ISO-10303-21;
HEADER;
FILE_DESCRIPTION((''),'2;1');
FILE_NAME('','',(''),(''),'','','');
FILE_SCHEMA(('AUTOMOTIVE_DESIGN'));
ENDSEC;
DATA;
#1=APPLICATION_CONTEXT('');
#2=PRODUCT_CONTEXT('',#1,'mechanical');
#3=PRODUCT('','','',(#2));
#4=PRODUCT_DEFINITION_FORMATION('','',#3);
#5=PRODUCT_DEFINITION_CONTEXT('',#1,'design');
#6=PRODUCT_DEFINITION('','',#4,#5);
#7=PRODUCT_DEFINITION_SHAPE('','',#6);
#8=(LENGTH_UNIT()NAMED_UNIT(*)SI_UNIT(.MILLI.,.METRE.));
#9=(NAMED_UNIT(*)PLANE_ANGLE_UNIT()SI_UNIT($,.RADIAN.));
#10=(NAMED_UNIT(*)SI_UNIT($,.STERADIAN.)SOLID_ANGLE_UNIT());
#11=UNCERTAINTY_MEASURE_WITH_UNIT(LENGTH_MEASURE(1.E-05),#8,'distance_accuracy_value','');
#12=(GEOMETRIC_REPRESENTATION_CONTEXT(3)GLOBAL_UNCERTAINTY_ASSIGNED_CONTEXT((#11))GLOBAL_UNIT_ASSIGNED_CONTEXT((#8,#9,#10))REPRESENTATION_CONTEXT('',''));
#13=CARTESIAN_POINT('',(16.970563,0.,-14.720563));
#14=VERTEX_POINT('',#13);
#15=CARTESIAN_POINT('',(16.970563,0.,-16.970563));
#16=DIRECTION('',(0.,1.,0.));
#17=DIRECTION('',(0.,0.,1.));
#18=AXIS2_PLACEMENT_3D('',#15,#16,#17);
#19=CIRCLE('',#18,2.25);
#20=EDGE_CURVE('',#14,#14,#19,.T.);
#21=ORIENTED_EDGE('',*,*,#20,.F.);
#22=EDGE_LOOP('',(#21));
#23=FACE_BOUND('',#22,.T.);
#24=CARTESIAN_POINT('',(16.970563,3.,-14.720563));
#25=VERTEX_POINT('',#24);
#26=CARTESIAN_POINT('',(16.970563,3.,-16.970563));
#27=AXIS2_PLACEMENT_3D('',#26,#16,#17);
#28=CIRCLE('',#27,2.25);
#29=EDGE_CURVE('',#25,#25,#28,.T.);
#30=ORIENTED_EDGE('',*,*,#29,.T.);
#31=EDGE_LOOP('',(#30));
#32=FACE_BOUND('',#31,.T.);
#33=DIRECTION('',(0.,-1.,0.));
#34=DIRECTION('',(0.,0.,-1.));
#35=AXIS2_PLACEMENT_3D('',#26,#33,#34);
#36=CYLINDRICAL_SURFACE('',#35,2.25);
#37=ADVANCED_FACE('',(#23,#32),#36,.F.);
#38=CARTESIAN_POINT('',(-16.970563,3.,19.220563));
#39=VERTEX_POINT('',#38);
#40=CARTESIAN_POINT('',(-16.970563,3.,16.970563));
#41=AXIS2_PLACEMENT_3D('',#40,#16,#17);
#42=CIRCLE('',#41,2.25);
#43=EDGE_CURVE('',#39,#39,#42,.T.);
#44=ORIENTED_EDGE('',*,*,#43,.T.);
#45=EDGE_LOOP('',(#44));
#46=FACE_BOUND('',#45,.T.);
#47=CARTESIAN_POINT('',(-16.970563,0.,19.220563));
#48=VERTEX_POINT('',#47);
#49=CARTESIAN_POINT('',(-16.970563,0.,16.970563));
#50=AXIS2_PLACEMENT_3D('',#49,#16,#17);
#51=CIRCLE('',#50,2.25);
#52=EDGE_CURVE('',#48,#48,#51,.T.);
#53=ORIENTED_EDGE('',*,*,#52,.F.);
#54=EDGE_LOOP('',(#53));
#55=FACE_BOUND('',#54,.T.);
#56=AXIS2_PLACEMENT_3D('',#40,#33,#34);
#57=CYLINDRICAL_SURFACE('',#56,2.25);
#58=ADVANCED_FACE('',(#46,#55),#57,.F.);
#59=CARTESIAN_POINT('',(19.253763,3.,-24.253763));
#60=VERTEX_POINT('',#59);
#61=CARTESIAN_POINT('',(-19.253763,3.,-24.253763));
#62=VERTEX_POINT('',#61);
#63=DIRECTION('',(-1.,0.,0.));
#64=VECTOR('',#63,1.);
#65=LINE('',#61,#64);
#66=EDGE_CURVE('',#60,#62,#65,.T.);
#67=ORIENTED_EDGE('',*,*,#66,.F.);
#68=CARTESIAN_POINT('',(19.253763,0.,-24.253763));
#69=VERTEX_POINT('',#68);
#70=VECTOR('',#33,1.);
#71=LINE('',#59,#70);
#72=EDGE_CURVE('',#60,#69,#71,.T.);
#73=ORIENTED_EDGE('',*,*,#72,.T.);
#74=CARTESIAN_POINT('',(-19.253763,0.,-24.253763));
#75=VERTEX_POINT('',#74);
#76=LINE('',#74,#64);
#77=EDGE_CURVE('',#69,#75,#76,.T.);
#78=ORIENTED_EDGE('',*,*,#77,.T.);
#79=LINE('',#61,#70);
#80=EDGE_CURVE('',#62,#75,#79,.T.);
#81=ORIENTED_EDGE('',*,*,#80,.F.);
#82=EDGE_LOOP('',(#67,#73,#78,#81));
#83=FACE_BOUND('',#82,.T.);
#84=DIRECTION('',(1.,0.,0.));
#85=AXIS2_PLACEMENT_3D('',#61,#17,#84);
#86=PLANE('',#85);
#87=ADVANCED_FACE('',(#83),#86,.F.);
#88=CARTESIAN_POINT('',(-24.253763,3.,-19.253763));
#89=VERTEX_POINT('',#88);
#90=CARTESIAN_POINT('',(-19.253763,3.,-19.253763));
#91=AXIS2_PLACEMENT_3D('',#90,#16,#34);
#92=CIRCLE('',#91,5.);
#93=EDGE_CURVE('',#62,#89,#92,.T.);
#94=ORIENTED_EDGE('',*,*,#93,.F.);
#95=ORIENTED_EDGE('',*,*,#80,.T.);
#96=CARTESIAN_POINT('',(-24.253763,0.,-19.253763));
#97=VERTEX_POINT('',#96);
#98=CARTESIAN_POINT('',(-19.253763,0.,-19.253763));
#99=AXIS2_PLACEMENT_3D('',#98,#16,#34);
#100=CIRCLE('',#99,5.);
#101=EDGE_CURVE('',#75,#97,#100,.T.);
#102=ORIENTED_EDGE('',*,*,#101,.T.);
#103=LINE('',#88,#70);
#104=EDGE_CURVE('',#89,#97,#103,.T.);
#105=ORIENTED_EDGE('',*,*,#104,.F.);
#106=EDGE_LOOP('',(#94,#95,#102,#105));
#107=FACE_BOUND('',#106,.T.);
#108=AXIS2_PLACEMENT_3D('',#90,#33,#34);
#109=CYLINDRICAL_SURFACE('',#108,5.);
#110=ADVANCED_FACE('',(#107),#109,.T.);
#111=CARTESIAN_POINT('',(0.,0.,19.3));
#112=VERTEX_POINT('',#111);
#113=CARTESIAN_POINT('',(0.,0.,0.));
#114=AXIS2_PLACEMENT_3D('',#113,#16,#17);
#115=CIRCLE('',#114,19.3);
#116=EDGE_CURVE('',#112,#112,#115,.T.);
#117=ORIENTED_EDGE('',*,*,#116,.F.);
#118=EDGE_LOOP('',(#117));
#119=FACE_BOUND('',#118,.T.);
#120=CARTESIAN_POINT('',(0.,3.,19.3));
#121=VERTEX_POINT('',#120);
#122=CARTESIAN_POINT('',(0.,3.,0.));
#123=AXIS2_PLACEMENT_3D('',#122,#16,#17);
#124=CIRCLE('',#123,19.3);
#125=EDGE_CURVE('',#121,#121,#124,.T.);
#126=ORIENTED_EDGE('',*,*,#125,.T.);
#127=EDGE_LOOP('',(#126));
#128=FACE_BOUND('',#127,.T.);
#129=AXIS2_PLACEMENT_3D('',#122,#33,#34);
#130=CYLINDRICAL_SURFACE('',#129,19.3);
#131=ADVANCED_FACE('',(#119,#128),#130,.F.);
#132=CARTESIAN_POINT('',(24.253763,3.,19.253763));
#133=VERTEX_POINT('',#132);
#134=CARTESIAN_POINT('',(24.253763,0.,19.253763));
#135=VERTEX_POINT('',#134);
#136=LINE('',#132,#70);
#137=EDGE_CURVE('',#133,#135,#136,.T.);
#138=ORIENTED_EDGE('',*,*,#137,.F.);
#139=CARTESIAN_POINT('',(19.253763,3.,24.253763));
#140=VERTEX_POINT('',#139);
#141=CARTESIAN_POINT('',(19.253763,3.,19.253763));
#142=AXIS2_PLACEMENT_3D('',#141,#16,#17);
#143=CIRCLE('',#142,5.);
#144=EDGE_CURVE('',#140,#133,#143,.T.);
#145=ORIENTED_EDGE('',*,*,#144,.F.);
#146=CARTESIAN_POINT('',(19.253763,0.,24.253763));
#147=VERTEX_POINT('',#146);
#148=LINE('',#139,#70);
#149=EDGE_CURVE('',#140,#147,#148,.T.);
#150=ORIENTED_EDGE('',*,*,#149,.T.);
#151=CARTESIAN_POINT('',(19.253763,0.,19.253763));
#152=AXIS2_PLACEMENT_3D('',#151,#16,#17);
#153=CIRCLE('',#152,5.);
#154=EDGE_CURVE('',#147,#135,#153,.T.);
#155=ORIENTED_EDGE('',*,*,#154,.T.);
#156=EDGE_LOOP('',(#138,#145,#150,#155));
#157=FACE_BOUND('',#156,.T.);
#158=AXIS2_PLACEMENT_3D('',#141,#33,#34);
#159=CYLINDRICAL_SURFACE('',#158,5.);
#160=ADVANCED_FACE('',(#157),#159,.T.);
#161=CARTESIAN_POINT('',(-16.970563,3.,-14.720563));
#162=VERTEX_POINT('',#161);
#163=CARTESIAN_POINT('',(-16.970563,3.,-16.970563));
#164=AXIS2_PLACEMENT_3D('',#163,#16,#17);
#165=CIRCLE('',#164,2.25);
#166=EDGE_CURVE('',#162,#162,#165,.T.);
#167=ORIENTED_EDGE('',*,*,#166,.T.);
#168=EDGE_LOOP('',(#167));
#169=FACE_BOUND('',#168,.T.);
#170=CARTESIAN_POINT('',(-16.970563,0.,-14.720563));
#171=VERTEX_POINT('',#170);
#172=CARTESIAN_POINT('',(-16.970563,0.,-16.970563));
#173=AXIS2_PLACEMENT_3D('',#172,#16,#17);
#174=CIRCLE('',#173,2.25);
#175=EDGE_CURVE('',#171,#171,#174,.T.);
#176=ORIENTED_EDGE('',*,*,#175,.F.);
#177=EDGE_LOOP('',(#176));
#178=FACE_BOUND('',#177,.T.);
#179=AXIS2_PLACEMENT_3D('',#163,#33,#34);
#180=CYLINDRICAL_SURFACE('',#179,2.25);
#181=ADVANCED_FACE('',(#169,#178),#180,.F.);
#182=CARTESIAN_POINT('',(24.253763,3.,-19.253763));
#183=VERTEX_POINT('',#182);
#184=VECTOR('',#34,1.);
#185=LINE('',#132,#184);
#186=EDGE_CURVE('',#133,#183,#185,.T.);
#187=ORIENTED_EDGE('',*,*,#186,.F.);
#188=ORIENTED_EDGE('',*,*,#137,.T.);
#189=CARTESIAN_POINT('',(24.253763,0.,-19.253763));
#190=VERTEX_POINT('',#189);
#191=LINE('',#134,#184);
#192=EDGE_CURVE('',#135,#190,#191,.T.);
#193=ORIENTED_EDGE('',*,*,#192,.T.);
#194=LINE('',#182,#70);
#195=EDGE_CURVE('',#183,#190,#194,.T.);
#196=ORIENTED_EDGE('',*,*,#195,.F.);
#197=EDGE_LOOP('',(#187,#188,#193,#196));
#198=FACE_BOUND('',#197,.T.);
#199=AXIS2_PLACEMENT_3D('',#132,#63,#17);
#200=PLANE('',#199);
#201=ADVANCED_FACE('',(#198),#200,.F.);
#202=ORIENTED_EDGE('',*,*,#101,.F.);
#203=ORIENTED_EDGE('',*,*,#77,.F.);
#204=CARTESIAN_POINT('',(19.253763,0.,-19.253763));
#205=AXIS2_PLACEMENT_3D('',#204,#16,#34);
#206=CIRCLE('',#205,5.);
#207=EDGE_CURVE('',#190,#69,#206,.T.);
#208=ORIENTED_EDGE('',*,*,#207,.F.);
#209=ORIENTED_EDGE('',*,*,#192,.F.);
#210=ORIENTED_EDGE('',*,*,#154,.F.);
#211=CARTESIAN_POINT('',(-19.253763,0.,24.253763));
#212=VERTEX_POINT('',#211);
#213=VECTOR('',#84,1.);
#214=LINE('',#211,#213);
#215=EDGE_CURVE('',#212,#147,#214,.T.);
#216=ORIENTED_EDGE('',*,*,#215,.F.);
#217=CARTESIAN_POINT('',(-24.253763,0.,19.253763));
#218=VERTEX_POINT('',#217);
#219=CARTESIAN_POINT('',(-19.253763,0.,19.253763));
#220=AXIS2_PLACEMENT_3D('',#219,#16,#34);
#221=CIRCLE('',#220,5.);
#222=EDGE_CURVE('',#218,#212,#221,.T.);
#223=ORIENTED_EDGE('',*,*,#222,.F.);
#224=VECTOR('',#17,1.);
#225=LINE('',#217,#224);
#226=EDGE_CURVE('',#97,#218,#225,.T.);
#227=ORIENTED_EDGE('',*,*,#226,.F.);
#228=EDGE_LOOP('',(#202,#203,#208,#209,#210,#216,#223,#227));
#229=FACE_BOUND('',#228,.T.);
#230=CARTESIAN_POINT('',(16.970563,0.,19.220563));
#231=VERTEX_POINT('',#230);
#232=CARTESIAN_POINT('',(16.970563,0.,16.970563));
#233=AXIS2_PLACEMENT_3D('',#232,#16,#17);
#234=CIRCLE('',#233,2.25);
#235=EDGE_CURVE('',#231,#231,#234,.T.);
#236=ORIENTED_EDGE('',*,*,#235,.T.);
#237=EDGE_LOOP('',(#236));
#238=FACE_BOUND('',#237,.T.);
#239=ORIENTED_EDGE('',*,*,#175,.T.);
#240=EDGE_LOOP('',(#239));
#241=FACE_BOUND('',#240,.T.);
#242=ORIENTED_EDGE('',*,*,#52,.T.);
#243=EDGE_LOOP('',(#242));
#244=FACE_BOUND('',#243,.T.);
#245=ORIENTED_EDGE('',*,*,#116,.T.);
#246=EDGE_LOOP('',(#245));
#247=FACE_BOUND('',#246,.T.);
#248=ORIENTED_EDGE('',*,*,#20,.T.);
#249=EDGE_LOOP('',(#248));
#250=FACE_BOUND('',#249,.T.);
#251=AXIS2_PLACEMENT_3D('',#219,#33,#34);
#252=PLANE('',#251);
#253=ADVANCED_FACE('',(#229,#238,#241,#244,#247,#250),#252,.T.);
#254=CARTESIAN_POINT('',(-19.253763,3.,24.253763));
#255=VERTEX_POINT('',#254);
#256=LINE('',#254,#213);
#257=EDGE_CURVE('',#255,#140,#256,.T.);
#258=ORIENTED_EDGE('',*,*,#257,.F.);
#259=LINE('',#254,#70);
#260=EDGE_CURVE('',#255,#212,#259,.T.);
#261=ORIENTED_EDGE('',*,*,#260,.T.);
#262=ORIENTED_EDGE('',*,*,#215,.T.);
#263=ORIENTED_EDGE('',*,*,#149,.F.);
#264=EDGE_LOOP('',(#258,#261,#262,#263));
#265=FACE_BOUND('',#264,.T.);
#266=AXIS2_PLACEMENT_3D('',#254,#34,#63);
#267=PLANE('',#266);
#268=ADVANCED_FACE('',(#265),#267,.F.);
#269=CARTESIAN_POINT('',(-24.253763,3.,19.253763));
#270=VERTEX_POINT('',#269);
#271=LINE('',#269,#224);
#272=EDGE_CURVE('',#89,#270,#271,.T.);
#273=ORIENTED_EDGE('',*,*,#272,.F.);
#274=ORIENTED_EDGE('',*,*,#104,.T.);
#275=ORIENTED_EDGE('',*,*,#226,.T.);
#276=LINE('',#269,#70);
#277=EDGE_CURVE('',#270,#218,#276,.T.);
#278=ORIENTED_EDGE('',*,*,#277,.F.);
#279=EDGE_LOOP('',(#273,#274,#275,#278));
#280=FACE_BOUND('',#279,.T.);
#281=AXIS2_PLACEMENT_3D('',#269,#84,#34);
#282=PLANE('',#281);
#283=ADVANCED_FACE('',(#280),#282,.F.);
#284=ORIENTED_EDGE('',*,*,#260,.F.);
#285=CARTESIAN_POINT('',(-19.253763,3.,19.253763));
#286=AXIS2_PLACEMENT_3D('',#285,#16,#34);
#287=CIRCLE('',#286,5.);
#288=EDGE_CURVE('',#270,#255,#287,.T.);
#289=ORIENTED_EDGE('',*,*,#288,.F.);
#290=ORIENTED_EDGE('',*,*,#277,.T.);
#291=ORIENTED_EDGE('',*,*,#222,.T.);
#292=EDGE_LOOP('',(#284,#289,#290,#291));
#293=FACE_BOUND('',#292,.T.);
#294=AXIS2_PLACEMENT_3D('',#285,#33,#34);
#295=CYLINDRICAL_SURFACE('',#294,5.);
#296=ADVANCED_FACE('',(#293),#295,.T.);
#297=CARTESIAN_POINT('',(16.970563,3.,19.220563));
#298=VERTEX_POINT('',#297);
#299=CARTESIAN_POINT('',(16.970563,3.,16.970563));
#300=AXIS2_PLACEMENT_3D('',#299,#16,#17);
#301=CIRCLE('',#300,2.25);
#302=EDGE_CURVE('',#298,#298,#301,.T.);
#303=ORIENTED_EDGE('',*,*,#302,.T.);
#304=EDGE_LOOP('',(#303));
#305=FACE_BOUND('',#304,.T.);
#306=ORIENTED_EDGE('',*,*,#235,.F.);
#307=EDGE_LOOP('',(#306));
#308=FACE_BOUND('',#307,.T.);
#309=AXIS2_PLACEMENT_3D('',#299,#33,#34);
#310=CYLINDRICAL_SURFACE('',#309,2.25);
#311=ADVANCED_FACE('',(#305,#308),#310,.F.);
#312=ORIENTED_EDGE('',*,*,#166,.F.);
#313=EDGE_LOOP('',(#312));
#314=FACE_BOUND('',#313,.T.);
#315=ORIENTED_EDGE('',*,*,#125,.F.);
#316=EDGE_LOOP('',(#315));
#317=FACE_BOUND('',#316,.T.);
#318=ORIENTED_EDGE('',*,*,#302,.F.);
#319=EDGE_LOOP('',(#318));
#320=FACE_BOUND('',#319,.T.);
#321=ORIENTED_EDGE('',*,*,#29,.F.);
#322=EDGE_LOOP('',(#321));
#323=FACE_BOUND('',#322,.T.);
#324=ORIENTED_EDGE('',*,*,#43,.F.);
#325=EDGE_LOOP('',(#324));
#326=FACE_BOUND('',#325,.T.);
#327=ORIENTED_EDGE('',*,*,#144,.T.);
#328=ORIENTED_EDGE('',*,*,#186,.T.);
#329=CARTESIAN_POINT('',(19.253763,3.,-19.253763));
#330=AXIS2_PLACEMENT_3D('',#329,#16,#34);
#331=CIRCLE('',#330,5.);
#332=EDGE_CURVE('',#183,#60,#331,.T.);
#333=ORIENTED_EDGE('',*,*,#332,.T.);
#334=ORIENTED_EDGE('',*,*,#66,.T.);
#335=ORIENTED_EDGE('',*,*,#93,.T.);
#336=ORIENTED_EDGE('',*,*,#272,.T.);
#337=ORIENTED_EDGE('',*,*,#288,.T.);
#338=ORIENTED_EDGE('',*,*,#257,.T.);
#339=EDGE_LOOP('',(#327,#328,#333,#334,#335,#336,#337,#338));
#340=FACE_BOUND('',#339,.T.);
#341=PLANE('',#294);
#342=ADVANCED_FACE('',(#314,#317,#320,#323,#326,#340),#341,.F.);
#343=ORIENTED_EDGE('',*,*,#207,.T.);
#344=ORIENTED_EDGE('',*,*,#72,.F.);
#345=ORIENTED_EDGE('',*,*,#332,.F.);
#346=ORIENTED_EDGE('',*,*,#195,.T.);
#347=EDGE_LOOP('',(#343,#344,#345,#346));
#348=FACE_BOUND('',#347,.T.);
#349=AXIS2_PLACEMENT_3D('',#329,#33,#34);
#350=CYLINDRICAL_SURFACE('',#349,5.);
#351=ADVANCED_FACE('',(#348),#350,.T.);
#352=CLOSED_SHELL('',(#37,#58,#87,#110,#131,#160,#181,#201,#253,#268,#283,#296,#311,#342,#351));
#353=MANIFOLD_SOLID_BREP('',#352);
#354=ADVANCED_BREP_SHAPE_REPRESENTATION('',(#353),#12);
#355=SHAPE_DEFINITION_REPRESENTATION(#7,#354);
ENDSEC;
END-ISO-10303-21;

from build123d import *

# Parameters (mm, degrees)
SKETCH_1_R      = 19.3
SKETCH_1_R_2    = 2.25
EXTRUDE_1_DEPTH = 3


with BuildPart() as part:
    # 草图1 → 凸台-拉伸1 (new body)
    with BuildSketch(Plane(origin=(0, 0, 0), x_dir=(1, 0, 0), z_dir=(0, 1, 0))):
        with BuildLine():
            Line((-19.253762595, -24.253762595), (19.253762595, -24.253762595))
            ThreePointArc((19.253762595, -24.253762595), (22.789296501, -22.789296501), (24.253762595, -19.253762595))
            Line((24.253762595, -19.253762595), (24.253762595, 19.253762595))
            ThreePointArc((24.253762595, 19.253762595), (22.789296501, 22.789296501), (19.253762595, 24.253762595))
            Line((19.253762595, 24.253762595), (-19.253762595, 24.253762595))
            ThreePointArc((-19.253762595, 24.253762595), (-22.789296501, 22.789296501), (-24.253762595, 19.253762595))
            Line((-24.253762595, 19.253762595), (-24.253762595, -19.253762595))
            ThreePointArc((-24.253762595, -19.253762595), (-22.789296501, -22.789296501), (-19.253762595, -24.253762595))
        make_face()
        with Locations(Location((0, 0, 0), (0, 0, 270))):
            Circle(SKETCH_1_R, mode=Mode.SUBTRACT)
        with Locations(Location((-16.970562748, 16.970562748, 0), (0, 0, 270))):
            Circle(SKETCH_1_R_2, mode=Mode.SUBTRACT)
        with Locations(Location((16.970562748, 16.970562748, 0), (0, 0, 270))):
            Circle(SKETCH_1_R_2, mode=Mode.SUBTRACT)
        with Locations(Location((16.970562748, -16.970562748, 0), (0, 0, 270))):
            Circle(SKETCH_1_R_2, mode=Mode.SUBTRACT)
        with Locations(Location((-16.970562748, -16.970562748, 0), (0, 0, 270))):
            Circle(SKETCH_1_R_2, mode=Mode.SUBTRACT)
    extrude(amount=EXTRUDE_1_DEPTH)


solid = part.part
